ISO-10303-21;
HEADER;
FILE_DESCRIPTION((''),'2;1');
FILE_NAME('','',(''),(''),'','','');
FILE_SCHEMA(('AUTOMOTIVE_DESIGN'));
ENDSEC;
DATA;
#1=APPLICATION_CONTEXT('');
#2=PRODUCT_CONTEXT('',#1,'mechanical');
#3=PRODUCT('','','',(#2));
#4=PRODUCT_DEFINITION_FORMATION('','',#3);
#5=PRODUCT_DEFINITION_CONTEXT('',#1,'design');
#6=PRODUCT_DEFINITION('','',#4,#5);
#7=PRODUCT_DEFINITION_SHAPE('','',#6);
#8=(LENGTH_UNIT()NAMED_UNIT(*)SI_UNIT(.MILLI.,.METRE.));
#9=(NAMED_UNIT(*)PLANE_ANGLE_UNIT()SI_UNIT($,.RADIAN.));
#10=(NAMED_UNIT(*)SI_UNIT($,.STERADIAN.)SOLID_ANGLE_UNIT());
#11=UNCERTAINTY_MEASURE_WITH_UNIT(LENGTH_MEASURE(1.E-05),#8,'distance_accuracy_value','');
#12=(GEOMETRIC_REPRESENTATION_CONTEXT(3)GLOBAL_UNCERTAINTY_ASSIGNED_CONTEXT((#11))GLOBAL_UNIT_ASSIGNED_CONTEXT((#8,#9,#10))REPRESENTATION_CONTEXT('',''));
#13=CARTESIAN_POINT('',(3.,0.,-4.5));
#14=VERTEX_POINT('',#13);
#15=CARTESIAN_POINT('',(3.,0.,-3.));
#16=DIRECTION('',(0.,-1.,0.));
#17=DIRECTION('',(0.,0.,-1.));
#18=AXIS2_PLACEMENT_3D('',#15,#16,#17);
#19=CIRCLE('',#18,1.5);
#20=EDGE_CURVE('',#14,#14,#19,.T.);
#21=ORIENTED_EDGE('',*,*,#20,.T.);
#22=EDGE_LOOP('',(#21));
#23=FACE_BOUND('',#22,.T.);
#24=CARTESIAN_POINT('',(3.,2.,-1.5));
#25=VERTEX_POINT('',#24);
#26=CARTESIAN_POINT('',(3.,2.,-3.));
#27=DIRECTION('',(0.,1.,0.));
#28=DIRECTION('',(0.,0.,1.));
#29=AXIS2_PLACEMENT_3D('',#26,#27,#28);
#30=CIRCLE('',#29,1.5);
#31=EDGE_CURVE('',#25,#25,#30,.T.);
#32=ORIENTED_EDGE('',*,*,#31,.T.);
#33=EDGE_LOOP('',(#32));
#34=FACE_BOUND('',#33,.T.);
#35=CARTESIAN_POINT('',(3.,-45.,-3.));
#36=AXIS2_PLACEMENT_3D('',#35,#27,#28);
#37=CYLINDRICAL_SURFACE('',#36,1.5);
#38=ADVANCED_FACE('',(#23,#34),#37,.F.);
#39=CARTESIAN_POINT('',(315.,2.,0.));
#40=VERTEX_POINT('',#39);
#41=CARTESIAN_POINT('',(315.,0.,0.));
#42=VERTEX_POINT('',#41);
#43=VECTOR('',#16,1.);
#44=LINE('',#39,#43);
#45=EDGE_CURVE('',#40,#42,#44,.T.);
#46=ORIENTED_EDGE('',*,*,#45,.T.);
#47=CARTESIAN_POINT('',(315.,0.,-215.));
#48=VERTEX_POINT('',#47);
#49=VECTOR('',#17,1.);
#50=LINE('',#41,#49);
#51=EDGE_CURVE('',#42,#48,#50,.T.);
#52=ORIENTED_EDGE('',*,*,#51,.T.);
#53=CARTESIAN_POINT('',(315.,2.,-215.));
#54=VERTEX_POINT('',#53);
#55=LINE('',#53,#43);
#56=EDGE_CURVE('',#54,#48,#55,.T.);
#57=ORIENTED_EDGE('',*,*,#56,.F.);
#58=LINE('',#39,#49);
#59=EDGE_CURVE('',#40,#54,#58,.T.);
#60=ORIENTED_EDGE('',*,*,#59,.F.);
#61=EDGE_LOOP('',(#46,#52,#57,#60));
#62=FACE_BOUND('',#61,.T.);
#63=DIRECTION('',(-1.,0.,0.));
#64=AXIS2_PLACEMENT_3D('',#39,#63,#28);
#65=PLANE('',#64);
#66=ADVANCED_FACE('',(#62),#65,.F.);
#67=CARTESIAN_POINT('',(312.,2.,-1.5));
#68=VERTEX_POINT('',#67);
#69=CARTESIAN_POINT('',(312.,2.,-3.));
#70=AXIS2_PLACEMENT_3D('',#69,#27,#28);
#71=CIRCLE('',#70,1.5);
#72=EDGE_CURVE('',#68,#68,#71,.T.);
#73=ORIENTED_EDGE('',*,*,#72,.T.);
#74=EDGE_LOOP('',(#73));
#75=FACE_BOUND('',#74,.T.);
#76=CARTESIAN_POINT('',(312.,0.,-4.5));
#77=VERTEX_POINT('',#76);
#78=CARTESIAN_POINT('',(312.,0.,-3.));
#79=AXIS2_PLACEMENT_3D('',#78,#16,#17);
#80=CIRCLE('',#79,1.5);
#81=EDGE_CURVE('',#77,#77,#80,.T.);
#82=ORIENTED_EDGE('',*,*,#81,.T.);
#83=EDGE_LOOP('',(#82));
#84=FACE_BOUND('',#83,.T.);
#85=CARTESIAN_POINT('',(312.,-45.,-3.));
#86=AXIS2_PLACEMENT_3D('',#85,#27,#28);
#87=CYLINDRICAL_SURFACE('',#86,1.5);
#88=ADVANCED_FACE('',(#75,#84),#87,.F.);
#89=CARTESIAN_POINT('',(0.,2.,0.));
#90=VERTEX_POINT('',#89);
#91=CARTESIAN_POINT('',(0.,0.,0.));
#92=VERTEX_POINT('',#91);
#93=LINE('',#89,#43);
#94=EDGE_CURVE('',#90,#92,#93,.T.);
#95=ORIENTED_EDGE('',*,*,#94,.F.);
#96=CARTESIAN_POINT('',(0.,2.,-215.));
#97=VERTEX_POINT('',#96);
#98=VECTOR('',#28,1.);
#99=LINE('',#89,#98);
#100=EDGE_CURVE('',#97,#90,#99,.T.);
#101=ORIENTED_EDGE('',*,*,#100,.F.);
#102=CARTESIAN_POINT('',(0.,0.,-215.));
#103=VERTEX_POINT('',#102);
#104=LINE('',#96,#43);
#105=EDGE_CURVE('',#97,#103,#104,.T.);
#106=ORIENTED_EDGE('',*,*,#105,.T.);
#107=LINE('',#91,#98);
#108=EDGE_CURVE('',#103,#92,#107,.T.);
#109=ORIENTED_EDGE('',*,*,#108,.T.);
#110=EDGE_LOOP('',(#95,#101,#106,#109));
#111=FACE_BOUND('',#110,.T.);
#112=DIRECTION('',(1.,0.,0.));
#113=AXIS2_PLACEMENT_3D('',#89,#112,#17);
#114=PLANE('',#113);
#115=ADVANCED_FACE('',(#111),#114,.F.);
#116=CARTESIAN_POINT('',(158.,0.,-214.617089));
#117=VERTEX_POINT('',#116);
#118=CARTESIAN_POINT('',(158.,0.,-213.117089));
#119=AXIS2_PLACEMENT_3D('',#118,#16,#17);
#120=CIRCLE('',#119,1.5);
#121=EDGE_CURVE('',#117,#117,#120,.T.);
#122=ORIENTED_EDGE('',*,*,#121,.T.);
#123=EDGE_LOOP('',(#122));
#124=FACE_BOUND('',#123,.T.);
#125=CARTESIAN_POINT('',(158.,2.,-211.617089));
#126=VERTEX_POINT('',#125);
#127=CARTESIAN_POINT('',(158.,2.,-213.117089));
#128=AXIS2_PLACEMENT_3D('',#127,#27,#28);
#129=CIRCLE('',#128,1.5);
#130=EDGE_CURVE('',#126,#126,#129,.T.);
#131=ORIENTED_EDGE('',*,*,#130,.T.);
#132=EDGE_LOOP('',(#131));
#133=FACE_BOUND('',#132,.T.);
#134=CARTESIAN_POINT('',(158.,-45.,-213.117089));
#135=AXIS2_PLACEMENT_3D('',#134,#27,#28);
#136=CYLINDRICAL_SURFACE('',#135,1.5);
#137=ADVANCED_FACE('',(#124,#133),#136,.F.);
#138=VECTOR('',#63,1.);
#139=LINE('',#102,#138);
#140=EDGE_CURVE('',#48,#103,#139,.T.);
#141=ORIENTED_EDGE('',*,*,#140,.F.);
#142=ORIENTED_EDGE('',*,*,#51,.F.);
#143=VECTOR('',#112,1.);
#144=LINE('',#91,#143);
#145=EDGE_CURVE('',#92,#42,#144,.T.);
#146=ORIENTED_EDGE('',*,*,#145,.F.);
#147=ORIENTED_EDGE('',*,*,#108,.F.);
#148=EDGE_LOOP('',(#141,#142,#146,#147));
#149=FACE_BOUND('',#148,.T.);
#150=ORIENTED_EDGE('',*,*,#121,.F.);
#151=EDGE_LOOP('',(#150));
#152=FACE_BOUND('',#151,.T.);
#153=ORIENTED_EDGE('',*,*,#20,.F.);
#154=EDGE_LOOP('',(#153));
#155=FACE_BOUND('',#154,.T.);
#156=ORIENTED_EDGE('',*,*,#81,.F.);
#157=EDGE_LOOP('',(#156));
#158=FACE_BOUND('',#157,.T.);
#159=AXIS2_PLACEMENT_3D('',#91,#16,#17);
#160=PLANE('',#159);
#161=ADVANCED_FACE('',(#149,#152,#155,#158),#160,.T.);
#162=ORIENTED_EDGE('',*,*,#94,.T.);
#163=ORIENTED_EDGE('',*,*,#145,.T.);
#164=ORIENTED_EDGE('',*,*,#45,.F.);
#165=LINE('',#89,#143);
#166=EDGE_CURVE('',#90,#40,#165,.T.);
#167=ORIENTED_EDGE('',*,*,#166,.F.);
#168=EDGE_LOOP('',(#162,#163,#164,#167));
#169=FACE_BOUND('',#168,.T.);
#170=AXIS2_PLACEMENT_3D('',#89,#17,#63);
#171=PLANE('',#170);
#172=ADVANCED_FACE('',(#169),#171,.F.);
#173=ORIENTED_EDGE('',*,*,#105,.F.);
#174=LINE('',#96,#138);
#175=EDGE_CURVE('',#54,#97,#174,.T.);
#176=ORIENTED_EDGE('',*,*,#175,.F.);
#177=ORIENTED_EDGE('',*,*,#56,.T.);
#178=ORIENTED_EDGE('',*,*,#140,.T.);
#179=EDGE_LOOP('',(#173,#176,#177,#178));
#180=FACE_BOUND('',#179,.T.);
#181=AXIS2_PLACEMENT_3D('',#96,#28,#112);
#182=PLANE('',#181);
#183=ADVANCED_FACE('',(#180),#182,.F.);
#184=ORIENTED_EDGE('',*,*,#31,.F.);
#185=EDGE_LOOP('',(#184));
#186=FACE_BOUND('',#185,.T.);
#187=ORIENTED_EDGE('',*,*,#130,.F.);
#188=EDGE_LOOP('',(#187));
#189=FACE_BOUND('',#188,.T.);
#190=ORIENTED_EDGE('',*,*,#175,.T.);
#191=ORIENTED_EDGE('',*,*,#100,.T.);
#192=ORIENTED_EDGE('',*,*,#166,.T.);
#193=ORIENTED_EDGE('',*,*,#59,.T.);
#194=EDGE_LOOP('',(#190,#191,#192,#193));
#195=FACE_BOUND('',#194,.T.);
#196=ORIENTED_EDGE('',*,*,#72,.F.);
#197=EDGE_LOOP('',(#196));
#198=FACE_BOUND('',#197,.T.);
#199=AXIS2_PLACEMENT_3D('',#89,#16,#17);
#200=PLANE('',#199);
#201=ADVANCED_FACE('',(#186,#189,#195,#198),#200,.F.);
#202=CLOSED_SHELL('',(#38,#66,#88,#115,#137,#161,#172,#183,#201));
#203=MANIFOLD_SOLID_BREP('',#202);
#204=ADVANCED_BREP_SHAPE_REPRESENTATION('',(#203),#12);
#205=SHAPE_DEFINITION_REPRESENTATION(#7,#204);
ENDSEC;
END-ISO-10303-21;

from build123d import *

# Parameters (mm, degrees)
SKETCH1_W           = 315
SKETCH1_H           = 215
BOSS_EXTRUDE1_DEPTH = 2
SKETCH2_R           = 1.5
CUT_EXTRUDE1_DEPTH  = 47
SKETCH3_R           = 1.5
CUT_EXTRUDE2_DEPTH  = 47


with BuildPart() as part:
    # Sketch1 → Boss-Extrude1 (new body)
    with BuildSketch(Plane(origin=(0, 0, 0), x_dir=(1, 0, 0), z_dir=(0, 1, 0))):
        with Locations((157.5, 107.5)):
            Rectangle(SKETCH1_W, SKETCH1_H)
    extrude(amount=BOSS_EXTRUDE1_DEPTH)

    # Sketch2 → Cut-Extrude1 (cut)
    with BuildSketch(Plane(origin=(0, 2, 0), x_dir=(1, 0, 0), z_dir=(0, 1, 0))):
        with Locations((3, 3)):
            Circle(SKETCH2_R)
        with Locations((312, 3)):
            Circle(SKETCH2_R)
    extrude(amount=-CUT_EXTRUDE1_DEPTH, mode=Mode.SUBTRACT)

    # Sketch3 → Cut-Extrude2 (cut)
    with BuildSketch(Plane(origin=(0, 2, 0), x_dir=(1, 0, 0), z_dir=(0, 1, 0))):
        with Locations((158, 213.117089456)):
            Circle(SKETCH3_R)
    extrude(amount=-CUT_EXTRUDE2_DEPTH, mode=Mode.SUBTRACT)


solid = part.part
